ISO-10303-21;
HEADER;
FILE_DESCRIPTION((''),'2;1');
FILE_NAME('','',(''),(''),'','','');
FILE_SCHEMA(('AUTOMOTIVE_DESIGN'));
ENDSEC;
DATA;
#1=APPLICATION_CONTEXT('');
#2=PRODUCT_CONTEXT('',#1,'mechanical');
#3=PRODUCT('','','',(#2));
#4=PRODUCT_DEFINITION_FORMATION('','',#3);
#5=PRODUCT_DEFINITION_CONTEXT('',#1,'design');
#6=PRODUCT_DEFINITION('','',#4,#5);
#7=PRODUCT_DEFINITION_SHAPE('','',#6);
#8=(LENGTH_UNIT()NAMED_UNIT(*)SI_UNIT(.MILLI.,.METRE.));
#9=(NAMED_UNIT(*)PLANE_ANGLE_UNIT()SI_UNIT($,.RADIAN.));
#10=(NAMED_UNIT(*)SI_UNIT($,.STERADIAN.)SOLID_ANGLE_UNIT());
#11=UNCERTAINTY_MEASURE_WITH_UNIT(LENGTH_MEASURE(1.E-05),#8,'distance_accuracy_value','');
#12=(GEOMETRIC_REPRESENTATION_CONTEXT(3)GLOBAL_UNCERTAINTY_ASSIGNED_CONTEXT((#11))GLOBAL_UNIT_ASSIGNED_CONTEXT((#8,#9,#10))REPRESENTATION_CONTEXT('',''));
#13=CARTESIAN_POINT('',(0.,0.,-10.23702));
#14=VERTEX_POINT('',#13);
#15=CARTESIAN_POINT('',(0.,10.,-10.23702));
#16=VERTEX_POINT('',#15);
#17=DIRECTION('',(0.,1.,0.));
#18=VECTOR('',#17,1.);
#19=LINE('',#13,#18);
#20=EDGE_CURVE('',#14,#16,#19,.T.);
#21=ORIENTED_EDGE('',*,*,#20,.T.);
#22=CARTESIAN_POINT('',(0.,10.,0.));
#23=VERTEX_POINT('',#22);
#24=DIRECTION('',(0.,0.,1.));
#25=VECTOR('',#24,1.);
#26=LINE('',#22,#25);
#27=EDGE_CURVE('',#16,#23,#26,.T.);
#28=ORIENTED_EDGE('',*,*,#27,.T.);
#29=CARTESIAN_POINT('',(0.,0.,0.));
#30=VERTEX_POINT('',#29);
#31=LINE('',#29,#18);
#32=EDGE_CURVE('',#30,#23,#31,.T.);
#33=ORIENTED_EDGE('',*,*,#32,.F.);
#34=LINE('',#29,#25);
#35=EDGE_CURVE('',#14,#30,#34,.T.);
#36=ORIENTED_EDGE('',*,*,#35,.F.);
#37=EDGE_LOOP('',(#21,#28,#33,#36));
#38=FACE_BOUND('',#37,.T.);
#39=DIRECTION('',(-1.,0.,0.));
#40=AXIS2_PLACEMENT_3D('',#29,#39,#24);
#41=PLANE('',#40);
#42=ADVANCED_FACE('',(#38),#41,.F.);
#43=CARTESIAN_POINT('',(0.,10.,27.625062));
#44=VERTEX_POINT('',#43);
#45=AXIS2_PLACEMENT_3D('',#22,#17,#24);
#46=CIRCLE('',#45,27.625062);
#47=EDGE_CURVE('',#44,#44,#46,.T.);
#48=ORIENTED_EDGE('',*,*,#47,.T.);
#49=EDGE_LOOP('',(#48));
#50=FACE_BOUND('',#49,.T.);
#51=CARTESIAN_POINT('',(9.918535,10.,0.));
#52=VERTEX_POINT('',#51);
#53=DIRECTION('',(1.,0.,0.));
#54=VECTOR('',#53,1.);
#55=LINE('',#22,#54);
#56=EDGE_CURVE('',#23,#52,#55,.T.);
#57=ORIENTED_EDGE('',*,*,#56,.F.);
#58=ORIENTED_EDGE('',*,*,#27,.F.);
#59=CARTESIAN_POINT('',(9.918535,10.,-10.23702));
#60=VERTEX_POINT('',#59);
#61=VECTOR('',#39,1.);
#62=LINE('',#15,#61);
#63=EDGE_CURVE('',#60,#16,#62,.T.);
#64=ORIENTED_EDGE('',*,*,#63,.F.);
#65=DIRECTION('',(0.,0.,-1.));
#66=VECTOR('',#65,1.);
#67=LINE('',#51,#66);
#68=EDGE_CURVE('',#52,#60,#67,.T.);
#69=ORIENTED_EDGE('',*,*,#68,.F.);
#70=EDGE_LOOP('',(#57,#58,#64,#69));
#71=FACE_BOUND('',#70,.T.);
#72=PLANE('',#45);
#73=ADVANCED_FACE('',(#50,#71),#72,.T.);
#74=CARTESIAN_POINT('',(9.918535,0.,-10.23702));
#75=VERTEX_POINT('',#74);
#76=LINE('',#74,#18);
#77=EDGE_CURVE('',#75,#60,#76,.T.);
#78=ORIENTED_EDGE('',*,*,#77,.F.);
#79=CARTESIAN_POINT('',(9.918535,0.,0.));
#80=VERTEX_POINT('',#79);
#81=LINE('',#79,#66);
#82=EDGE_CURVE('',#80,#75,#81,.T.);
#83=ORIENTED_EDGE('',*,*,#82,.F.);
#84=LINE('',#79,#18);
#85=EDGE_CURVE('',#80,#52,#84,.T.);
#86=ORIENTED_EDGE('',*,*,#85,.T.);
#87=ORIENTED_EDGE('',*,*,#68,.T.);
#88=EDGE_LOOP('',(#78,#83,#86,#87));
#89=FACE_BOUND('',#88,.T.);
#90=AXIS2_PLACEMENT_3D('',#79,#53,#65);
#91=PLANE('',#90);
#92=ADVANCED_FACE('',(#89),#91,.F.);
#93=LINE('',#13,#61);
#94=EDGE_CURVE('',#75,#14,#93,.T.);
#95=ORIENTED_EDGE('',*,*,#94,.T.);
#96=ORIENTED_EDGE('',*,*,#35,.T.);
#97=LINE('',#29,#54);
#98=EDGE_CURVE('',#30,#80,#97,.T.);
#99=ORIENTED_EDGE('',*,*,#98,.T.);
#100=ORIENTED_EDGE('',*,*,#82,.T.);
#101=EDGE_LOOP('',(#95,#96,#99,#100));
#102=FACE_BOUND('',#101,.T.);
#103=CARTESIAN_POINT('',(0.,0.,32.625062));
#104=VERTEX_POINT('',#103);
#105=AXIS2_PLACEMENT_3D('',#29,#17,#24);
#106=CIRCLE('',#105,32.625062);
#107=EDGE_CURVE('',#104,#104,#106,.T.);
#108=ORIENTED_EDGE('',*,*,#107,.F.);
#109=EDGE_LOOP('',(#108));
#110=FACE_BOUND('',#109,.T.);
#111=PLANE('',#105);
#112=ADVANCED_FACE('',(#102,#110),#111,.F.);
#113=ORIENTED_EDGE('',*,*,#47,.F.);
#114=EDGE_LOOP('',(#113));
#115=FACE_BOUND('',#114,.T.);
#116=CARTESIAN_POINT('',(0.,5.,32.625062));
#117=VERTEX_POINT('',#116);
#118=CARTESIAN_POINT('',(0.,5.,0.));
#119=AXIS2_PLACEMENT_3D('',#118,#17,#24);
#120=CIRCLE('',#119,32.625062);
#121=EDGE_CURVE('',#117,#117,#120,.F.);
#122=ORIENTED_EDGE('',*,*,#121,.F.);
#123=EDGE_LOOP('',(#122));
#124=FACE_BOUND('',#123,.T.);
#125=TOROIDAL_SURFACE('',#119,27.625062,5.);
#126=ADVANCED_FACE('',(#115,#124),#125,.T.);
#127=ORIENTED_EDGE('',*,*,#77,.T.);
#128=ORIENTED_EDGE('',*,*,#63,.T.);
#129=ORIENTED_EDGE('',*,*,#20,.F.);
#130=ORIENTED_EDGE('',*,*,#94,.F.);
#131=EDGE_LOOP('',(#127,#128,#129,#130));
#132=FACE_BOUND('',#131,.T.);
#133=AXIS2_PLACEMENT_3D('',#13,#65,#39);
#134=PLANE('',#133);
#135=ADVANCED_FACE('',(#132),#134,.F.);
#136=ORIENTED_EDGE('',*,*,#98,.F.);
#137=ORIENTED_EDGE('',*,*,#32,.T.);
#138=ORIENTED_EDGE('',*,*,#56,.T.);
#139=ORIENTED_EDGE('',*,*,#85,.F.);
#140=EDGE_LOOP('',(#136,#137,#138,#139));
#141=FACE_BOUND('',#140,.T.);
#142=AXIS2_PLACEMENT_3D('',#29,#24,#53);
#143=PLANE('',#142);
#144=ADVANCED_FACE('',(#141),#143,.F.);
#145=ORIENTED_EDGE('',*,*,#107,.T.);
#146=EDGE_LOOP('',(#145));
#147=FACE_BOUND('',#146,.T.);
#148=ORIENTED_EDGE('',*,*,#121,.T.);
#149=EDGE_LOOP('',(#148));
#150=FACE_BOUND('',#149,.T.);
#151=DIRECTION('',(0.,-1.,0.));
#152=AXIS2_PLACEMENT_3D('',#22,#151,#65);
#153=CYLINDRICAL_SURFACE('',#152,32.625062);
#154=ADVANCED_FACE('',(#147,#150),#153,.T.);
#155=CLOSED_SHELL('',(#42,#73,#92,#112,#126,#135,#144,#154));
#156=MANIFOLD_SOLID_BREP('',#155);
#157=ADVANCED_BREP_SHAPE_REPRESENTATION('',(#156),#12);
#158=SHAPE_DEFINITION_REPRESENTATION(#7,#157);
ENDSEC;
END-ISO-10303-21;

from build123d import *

# Parameters (mm, degrees)
SKETCH1_R           = 32.625062454
BOSS_EXTRUDE1_DEPTH = 10
FILLET1_R           = 5
SKETCH2_W           = 9.918534818
SKETCH2_H           = 10.237019881
CUT_EXTRUDE1_DEPTH  = 10


with BuildPart() as part:
    # Sketch1 → Boss-Extrude1 (new body)
    with BuildSketch(Plane(origin=(0, 0, 0), x_dir=(1, 0, 0), z_dir=(0, 1, 0))):
        with Locations(Location((0, 0, 0), (0, 0, 270))):  # turned: the seam where the file's is
            Circle(SKETCH1_R)
    extrude(amount=BOSS_EXTRUDE1_DEPTH)

    # Fillet1
    fillet1_edges = [part.edges().sort_by_distance(p)[0] for p in [
        (0, 10, -32.625062454),
    ]]
    fillet(fillet1_edges, radius=FILLET1_R)

    # Sketch2 → Cut-Extrude1 (cut)
    with BuildSketch(Plane(origin=(0, 10, 0), x_dir=(1, 0, 0), z_dir=(0, 1, 0))):
        with Locations((4.959267409, 5.118509941)):
            Rectangle(SKETCH2_W, SKETCH2_H)
    extrude(amount=-CUT_EXTRUDE1_DEPTH, mode=Mode.SUBTRACT)


solid = part.part
